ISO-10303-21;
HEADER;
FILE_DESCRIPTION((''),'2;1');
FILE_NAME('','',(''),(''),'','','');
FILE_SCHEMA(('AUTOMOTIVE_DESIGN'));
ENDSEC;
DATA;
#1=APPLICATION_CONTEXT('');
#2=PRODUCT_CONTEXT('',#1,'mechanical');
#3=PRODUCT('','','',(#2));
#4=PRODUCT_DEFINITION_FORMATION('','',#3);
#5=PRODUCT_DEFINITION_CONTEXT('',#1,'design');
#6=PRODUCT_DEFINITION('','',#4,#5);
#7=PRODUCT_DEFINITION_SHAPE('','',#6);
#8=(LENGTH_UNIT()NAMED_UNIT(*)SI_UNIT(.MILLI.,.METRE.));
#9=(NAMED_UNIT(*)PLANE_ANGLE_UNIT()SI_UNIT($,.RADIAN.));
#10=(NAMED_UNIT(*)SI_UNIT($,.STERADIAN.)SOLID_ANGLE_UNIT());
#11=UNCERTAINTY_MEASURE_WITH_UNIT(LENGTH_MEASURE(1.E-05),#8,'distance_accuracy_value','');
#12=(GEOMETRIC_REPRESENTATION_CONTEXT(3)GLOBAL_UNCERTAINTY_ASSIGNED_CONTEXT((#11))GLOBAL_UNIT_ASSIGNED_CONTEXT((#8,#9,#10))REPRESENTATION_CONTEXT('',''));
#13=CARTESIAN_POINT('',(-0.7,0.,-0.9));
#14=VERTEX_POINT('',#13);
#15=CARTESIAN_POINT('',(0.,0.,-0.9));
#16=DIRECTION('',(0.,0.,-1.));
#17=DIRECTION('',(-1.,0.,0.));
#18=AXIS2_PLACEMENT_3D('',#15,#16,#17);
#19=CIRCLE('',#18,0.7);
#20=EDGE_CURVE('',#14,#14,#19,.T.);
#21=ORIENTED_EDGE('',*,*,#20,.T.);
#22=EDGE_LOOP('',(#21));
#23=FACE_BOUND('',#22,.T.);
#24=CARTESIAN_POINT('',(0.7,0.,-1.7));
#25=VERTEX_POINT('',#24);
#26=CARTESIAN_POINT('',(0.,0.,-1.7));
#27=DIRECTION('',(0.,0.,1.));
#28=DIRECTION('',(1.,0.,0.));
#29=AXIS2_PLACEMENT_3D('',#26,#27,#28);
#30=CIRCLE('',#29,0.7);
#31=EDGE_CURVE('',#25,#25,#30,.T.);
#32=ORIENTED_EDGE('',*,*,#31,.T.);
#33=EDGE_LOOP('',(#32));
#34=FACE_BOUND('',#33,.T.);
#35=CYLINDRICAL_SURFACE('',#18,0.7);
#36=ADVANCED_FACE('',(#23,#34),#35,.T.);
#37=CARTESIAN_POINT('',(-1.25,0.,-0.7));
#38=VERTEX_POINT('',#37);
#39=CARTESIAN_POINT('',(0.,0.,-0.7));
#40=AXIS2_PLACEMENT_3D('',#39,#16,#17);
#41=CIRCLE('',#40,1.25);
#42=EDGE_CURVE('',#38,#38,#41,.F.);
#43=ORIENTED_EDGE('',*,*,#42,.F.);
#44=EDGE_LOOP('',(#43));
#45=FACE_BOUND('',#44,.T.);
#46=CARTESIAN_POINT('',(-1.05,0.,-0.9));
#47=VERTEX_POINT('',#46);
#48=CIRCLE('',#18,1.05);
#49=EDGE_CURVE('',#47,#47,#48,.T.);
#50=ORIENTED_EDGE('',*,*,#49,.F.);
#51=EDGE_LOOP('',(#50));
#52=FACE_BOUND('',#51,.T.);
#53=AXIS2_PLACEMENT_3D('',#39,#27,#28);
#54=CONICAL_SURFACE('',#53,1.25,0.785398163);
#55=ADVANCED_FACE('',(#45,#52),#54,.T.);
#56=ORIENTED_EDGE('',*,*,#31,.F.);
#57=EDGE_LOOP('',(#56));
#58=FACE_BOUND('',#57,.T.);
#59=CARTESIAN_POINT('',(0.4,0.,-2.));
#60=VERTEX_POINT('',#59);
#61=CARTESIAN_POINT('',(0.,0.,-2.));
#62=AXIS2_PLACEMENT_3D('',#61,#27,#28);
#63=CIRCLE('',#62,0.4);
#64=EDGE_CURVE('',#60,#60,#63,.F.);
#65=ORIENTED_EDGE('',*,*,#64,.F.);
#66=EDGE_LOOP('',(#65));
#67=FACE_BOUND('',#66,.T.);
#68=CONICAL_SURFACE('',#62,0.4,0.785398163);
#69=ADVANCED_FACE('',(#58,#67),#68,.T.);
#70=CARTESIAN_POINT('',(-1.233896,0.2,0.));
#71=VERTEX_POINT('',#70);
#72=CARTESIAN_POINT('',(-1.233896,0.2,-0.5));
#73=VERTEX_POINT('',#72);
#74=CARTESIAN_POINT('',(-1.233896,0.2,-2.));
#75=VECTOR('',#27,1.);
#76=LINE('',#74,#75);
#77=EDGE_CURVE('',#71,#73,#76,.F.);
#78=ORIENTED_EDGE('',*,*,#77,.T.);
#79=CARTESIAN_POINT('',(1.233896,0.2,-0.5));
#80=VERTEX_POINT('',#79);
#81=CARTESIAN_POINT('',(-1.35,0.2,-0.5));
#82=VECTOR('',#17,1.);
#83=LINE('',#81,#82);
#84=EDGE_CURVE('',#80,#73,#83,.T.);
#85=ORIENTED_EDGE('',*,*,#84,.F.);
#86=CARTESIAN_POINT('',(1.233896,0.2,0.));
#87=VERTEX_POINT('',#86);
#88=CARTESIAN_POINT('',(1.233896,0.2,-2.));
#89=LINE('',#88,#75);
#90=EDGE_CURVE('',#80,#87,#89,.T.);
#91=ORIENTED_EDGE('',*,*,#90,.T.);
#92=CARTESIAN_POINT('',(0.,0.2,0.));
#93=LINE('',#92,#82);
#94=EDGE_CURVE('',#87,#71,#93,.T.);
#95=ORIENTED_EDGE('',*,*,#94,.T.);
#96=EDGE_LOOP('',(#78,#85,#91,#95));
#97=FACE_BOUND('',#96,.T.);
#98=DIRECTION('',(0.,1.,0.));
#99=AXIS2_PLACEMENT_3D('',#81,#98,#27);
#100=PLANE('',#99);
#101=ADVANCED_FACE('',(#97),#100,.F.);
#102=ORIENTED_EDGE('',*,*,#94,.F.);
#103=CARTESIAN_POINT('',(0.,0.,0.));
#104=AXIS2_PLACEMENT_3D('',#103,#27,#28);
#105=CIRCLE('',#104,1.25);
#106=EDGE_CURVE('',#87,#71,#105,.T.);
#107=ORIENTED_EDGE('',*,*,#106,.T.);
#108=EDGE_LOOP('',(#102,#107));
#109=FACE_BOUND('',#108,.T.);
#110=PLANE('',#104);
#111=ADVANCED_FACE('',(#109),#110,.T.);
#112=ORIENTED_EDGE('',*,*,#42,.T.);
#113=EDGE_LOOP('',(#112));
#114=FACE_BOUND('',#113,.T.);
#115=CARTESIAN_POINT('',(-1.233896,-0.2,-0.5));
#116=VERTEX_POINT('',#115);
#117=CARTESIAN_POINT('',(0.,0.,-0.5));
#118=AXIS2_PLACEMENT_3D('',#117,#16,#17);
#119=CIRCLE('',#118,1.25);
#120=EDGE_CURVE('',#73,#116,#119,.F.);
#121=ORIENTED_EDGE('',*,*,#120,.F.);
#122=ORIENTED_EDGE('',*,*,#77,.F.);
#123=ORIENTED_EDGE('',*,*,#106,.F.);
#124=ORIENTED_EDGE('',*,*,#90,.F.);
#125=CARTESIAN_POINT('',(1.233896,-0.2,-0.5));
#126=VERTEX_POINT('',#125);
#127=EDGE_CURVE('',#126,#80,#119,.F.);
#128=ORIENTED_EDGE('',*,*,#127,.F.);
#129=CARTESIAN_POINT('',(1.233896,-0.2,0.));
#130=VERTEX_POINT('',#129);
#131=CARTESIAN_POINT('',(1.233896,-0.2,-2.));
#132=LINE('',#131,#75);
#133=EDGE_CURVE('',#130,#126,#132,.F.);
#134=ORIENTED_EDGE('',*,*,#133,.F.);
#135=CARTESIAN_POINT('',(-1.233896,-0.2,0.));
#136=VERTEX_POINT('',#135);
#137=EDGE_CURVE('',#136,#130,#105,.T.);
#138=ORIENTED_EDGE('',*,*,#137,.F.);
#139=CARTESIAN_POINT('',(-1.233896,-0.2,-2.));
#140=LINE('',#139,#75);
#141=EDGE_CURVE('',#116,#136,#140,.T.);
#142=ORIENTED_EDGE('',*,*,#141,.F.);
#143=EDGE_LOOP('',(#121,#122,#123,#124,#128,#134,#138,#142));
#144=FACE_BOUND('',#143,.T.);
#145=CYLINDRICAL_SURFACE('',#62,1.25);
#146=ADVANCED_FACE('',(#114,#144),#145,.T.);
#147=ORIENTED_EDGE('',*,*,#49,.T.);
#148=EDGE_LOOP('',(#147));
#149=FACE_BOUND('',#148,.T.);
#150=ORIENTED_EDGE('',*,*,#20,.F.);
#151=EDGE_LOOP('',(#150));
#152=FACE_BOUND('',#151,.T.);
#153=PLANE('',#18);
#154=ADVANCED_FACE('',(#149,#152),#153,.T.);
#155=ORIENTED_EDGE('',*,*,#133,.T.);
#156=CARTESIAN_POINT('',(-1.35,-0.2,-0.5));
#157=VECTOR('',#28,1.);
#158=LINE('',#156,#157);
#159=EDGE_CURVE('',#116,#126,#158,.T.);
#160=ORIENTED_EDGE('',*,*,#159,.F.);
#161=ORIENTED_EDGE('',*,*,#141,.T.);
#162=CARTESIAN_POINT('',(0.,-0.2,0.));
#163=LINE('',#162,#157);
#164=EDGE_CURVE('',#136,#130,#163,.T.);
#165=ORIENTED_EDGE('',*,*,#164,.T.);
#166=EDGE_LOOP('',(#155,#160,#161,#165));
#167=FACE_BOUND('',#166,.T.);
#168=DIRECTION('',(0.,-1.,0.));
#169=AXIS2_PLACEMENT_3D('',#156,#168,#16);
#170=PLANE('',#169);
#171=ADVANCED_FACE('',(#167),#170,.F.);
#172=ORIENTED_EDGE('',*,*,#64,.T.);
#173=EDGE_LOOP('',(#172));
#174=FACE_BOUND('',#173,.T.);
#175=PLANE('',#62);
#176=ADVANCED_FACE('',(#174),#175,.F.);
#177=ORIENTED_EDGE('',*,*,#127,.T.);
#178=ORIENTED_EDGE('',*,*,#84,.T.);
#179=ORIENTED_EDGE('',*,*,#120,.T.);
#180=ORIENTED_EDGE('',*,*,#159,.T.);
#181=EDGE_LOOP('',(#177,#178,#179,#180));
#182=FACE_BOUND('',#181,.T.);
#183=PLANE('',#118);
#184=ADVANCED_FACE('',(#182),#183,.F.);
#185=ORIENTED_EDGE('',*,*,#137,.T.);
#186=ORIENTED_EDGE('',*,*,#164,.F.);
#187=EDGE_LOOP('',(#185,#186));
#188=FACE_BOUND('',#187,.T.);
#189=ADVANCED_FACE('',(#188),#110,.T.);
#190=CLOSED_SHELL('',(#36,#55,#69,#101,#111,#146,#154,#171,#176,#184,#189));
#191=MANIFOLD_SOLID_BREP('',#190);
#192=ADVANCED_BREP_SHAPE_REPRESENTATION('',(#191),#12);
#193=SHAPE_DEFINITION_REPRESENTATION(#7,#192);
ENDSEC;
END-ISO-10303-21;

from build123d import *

# Parameters (mm, degrees)
SKETCH1_R           = 1.25
BOSS_EXTRUDE1_DEPTH = 2
SKETCH2_OUTSIDE_W   = 5.312
SKETCH2_OUTSIDE_H   = 5.312
SKETCH2_OUTSIDE_R   = 0.7
CUT_EXTRUDE1_DEPTH  = 1.1
SKETCH3_W           = 2.7
SKETCH3_H           = 0.4
CUT_EXTRUDE2_DEPTH  = 0.5
CHAMFER1_SIZE       = 0.2
CHAMFER2_SIZE       = 0.3


with BuildPart() as part:
    # Sketch1 → Boss-Extrude1 (new body)
    with BuildSketch(Plane.XY):
        Circle(SKETCH1_R)
    extrude(amount=-BOSS_EXTRUDE1_DEPTH)

    # Sketch2 outside → Cut-Extrude1 (cut)
    with BuildSketch(Plane(origin=(0, 0, -2), x_dir=(-1, 0, 0), z_dir=(0, 0, -1))):
        Rectangle(SKETCH2_OUTSIDE_W, SKETCH2_OUTSIDE_H)
        Circle(SKETCH2_OUTSIDE_R, mode=Mode.SUBTRACT)
    extrude(amount=-CUT_EXTRUDE1_DEPTH, mode=Mode.SUBTRACT)

    # Sketch3 → Cut-Extrude2 (cut)
    with BuildSketch(Plane.XY):
        Rectangle(SKETCH3_W, SKETCH3_H)
    extrude(amount=-CUT_EXTRUDE2_DEPTH, mode=Mode.SUBTRACT)

    # Chamfer1
    chamfer1_edges = [part.edges().sort_by_distance(p)[0] for p in [
        (-1.25, 0, -0.9),
    ]]
    chamfer(chamfer1_edges, length=CHAMFER1_SIZE)

    # Chamfer2
    chamfer2_edges = [part.edges().sort_by_distance(p)[0] for p in [
        (0.7, 0, -2),
    ]]
    chamfer(chamfer2_edges, length=CHAMFER2_SIZE)


solid = part.part
